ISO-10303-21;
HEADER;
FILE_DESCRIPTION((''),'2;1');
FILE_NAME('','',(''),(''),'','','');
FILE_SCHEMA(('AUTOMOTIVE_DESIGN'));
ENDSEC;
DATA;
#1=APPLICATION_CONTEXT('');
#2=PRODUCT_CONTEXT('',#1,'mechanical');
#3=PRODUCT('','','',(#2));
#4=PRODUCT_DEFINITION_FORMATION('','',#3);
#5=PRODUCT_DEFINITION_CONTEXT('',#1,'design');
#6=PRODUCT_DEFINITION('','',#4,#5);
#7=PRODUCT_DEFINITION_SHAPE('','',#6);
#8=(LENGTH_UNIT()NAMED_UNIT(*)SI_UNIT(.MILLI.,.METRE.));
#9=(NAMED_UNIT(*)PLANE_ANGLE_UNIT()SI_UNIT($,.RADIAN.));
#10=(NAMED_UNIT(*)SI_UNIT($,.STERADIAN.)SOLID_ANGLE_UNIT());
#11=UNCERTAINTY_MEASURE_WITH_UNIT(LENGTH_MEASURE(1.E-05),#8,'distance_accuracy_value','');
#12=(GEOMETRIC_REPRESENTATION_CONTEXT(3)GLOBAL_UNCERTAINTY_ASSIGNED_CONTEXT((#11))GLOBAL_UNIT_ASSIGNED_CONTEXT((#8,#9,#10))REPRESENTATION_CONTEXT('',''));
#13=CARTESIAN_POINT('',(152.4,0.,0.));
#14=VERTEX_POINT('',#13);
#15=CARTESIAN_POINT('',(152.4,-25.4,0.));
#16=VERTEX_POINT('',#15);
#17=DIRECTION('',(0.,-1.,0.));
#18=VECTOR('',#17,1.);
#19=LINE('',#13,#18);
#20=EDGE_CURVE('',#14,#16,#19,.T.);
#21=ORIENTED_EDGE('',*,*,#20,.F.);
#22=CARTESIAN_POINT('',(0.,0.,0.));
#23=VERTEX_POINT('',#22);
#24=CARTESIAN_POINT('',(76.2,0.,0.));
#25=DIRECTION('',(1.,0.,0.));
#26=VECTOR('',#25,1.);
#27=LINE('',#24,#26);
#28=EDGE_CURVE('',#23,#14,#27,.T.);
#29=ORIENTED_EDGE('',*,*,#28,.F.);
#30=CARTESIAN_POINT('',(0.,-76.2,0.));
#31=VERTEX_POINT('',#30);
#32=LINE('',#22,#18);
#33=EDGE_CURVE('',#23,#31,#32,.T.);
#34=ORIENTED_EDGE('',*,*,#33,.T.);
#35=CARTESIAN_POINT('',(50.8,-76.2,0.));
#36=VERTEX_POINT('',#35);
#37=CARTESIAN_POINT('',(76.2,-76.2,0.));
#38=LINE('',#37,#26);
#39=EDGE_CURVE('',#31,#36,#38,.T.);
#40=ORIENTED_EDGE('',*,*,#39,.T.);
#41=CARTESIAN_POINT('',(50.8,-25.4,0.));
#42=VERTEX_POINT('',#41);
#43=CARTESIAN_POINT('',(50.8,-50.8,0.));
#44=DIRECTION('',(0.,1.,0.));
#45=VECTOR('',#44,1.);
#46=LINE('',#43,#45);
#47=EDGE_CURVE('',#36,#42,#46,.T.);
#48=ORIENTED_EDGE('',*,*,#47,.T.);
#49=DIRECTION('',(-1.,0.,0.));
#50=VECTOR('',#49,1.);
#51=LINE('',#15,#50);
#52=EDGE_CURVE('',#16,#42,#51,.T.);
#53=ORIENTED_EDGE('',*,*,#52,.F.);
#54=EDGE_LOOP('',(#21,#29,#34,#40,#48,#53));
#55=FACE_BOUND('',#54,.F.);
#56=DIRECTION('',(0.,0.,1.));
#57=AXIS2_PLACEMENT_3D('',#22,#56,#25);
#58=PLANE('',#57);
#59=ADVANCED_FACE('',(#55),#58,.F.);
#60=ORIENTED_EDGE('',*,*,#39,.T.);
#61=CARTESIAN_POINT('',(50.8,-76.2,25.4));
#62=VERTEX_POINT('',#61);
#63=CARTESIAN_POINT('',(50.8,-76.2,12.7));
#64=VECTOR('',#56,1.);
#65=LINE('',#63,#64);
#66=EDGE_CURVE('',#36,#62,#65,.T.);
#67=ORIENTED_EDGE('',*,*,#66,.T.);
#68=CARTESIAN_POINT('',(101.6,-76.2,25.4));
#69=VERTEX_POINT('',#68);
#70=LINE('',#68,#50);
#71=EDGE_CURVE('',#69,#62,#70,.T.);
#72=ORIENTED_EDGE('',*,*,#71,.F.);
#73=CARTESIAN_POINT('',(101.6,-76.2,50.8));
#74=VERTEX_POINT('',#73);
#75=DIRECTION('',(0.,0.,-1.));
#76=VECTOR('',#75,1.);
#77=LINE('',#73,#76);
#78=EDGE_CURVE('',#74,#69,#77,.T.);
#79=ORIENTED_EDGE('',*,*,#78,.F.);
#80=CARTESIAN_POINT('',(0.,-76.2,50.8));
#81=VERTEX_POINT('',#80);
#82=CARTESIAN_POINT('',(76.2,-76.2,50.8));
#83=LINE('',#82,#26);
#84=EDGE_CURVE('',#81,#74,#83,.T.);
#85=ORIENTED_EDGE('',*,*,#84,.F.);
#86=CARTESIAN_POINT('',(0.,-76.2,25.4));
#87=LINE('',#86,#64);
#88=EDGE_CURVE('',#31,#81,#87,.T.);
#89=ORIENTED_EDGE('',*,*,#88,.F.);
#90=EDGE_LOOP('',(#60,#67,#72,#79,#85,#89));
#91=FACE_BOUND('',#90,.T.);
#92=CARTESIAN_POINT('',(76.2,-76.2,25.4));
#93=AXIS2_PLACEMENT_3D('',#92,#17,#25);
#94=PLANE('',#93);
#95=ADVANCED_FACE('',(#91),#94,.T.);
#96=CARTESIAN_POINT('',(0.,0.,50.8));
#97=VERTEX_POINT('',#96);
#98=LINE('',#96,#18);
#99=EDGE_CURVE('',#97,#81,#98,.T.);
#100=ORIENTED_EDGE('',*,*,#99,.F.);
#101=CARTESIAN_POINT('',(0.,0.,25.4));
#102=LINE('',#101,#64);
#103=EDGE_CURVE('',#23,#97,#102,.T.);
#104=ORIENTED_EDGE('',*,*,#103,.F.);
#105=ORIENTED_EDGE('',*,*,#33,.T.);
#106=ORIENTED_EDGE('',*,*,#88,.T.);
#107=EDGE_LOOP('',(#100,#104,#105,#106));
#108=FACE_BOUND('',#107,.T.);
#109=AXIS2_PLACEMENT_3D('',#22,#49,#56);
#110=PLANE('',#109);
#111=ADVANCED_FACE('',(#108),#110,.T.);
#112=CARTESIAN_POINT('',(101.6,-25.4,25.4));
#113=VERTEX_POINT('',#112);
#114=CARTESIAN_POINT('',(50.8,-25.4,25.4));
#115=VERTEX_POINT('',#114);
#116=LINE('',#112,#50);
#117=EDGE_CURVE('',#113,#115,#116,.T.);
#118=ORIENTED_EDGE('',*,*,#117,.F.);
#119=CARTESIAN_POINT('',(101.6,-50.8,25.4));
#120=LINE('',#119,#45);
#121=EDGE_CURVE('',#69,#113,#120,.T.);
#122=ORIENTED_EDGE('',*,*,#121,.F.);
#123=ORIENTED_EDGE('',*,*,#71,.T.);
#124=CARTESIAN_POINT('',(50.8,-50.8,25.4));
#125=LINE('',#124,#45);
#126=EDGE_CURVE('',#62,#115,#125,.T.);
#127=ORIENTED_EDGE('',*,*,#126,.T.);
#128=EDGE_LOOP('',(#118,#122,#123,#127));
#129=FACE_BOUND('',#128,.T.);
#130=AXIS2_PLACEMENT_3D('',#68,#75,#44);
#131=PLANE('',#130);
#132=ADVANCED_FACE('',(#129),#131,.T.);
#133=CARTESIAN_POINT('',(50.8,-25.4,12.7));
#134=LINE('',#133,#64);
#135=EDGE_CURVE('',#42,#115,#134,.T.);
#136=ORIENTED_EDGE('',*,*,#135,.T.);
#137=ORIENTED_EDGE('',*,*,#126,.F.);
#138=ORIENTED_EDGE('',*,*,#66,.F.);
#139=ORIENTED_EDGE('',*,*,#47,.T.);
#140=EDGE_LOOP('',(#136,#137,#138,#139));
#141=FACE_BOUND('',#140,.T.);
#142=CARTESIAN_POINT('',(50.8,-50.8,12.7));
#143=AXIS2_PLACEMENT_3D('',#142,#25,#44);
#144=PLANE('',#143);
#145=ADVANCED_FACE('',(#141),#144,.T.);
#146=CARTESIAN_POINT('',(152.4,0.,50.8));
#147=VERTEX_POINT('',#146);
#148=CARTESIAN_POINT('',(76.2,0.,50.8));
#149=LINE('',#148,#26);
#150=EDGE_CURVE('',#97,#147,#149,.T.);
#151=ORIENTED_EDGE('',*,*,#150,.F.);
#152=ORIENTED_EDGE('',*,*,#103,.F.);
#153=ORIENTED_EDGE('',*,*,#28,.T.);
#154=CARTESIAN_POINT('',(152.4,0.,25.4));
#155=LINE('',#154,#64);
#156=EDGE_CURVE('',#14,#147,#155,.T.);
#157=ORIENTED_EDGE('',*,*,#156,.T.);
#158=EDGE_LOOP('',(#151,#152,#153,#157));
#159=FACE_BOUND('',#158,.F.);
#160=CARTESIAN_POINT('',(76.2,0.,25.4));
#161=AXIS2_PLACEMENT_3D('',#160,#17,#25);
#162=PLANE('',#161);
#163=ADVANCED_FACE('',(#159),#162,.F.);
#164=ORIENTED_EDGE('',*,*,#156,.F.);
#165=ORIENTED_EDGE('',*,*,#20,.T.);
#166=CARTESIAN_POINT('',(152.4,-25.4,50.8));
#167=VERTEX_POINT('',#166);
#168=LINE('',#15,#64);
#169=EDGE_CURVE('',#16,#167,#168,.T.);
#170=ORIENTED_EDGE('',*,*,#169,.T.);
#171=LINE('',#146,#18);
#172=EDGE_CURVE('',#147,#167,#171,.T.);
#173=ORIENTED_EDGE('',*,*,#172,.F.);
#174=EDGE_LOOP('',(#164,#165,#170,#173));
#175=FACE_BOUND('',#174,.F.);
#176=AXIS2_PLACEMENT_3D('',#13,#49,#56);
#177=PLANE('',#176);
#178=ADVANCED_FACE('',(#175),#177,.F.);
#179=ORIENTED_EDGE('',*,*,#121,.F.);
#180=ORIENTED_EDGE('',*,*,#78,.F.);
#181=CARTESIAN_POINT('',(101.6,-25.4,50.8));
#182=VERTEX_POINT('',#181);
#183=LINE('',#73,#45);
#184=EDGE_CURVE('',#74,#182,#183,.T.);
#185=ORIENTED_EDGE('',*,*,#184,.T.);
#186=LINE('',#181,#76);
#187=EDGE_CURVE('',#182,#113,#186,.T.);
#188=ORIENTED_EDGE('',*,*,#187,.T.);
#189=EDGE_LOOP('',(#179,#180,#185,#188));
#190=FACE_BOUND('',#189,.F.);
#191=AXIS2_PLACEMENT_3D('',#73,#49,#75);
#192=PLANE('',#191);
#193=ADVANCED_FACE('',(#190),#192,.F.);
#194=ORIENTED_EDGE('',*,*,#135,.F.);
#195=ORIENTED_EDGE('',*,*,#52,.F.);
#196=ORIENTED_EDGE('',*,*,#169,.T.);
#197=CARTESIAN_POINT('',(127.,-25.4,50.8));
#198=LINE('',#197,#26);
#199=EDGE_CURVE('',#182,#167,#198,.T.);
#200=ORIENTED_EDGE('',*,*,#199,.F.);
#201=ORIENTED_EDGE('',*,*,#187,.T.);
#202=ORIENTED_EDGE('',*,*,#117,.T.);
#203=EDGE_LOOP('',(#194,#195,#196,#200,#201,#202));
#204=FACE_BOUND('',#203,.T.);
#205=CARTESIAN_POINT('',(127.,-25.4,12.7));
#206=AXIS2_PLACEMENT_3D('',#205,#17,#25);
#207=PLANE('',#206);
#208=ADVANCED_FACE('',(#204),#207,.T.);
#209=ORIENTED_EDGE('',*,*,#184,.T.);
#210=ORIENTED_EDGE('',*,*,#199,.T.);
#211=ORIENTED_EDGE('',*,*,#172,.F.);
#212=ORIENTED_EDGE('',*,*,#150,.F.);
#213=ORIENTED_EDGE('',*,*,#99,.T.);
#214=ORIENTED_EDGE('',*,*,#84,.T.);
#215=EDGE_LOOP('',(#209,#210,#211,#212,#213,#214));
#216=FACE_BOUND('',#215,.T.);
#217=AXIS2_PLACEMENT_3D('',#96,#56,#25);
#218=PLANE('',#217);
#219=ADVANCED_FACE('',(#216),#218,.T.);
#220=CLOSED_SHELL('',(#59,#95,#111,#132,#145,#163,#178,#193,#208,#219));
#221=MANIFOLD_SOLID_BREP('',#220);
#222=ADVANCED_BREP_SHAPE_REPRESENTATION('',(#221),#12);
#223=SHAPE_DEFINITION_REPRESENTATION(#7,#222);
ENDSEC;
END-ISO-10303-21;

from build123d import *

# Parameters (mm, degrees)
F0_W     = 152.4
F0_H     = 50.8
F1_DEPTH = 76.2
F2_W     = 50.8
F2_H     = 25.4
F3_DEPTH = 50.8
F4_W     = 50.8
F4_H     = 25.4
F5_DEPTH = 50.8


with BuildPart() as f1:
    # F0 (on Front) → F1 (new body)
    with BuildSketch(Plane.XZ):
        with Locations((76.2, 25.4)):
            Rectangle(F0_W, F0_H)
    extrude(amount=F1_DEPTH)

    # F2 (on face) → F3 (cut)
    with BuildSketch(Plane.XZ.offset(76.2)):
        with Locations((127, 12.7)):
            Rectangle(F2_W, F2_H)
        with Locations((127, 38.1)):
            Rectangle(F2_W, F2_H)
    extrude(amount=-F3_DEPTH, mode=Mode.SUBTRACT)

    # F4 (on face) → F5 (cut)
    with BuildSketch(Plane.YZ.offset(101.6)):
        with Locations((-50.8, 12.7)):
            Rectangle(F4_W, F4_H)
    extrude(amount=-F5_DEPTH, mode=Mode.SUBTRACT)


solid = f1.part
